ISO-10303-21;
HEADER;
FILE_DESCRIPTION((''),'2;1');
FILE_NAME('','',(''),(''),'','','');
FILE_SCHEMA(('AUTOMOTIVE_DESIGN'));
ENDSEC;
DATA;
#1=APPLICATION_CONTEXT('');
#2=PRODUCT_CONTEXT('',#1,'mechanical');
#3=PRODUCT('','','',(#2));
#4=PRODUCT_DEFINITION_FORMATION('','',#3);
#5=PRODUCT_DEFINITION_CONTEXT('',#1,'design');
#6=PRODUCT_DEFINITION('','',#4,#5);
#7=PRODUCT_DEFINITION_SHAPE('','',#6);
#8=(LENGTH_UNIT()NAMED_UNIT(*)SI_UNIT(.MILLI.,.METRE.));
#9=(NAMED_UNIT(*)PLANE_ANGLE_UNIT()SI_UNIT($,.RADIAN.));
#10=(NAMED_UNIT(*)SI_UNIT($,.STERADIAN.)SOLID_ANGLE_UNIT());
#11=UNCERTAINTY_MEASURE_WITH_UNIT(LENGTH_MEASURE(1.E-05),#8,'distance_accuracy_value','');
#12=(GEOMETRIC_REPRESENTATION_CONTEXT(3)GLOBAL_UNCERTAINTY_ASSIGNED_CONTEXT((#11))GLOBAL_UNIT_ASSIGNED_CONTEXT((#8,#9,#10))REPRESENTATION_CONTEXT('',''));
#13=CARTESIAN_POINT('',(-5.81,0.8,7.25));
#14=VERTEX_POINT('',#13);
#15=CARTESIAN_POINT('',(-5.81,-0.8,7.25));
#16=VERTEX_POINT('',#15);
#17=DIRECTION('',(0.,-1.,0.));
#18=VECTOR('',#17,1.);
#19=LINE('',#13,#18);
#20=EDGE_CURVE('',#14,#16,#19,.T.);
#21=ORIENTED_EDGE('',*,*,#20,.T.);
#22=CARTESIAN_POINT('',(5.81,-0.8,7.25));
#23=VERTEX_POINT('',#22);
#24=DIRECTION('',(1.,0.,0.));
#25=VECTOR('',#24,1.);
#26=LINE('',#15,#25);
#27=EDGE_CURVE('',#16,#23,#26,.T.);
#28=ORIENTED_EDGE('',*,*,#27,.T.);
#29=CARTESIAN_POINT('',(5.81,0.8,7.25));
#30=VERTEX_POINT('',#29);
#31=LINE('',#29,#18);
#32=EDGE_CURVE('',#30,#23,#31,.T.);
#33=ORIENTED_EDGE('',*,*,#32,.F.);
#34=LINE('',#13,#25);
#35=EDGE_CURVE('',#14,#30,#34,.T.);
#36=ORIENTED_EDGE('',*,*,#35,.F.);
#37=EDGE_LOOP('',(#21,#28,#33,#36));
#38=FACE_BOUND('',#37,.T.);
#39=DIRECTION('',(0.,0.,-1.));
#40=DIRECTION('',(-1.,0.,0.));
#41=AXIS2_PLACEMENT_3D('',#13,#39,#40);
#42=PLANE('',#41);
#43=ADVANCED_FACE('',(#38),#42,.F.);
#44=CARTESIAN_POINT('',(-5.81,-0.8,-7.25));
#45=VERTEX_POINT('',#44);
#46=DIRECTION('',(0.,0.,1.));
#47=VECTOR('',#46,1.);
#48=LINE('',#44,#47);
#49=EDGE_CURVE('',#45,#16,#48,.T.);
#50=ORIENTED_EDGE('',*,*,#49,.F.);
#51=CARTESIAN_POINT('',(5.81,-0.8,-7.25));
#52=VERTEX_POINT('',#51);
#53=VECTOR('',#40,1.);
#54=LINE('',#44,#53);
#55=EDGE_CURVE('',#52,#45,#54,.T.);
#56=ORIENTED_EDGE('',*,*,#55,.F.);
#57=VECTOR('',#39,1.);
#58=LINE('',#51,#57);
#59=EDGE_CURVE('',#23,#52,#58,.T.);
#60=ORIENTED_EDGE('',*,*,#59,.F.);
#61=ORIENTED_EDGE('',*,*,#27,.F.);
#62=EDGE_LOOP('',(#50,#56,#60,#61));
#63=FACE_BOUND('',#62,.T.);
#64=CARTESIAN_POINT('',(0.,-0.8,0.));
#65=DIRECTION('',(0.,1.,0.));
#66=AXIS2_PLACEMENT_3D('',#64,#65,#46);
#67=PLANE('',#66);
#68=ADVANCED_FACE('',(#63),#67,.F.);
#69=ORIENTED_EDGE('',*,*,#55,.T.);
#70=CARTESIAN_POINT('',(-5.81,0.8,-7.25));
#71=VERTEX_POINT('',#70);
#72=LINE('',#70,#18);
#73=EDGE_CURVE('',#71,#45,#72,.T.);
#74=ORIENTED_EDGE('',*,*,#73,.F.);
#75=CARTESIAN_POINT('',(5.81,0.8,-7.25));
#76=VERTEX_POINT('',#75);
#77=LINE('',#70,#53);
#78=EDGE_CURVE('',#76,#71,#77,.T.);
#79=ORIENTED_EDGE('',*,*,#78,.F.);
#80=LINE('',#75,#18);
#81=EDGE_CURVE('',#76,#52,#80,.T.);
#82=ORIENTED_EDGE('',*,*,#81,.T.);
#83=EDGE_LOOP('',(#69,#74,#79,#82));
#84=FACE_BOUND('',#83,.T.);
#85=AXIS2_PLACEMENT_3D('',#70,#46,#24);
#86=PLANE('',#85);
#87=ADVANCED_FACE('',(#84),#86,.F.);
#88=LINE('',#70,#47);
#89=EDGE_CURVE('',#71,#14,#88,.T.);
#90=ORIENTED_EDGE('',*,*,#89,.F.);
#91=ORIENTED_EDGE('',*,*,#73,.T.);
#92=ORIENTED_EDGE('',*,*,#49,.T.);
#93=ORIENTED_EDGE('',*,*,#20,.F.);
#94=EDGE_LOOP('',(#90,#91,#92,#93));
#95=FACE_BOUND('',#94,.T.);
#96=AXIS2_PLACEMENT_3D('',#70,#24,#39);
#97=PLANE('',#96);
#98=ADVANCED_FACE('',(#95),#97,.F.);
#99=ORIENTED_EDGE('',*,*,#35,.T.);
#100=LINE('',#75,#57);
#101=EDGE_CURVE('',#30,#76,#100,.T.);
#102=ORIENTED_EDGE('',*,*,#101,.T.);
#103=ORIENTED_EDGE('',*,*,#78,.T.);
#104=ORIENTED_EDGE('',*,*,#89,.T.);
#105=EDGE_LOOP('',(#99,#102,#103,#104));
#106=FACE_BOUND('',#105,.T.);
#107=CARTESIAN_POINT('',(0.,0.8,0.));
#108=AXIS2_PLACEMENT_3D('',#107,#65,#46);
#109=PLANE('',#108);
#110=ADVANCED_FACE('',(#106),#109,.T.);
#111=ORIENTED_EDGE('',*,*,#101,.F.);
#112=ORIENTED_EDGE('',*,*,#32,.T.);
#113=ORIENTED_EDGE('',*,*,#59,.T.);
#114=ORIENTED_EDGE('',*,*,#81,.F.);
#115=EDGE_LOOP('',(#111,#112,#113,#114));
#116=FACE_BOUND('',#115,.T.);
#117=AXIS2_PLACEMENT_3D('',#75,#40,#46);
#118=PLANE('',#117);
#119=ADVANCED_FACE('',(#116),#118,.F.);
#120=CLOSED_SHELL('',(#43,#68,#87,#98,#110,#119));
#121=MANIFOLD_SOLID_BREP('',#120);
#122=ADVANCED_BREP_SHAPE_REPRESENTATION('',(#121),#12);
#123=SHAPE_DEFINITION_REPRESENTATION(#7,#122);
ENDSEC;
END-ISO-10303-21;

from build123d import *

# Parameters (mm, degrees)
SKETCH1_W           = 11.62
SKETCH1_H           = 14.5
BOSS_EXTRUDE1_DEPTH = 0.8


with BuildPart() as part:
    # Sketch1 → Boss-Extrude1 (new, symmetric)
    with BuildSketch(Plane(origin=(0, 0, 0), x_dir=(1, 0, 0), z_dir=(0, 1, 0))):
        Rectangle(SKETCH1_W, SKETCH1_H)
    extrude(amount=BOSS_EXTRUDE1_DEPTH, both=True)


solid = part.part
